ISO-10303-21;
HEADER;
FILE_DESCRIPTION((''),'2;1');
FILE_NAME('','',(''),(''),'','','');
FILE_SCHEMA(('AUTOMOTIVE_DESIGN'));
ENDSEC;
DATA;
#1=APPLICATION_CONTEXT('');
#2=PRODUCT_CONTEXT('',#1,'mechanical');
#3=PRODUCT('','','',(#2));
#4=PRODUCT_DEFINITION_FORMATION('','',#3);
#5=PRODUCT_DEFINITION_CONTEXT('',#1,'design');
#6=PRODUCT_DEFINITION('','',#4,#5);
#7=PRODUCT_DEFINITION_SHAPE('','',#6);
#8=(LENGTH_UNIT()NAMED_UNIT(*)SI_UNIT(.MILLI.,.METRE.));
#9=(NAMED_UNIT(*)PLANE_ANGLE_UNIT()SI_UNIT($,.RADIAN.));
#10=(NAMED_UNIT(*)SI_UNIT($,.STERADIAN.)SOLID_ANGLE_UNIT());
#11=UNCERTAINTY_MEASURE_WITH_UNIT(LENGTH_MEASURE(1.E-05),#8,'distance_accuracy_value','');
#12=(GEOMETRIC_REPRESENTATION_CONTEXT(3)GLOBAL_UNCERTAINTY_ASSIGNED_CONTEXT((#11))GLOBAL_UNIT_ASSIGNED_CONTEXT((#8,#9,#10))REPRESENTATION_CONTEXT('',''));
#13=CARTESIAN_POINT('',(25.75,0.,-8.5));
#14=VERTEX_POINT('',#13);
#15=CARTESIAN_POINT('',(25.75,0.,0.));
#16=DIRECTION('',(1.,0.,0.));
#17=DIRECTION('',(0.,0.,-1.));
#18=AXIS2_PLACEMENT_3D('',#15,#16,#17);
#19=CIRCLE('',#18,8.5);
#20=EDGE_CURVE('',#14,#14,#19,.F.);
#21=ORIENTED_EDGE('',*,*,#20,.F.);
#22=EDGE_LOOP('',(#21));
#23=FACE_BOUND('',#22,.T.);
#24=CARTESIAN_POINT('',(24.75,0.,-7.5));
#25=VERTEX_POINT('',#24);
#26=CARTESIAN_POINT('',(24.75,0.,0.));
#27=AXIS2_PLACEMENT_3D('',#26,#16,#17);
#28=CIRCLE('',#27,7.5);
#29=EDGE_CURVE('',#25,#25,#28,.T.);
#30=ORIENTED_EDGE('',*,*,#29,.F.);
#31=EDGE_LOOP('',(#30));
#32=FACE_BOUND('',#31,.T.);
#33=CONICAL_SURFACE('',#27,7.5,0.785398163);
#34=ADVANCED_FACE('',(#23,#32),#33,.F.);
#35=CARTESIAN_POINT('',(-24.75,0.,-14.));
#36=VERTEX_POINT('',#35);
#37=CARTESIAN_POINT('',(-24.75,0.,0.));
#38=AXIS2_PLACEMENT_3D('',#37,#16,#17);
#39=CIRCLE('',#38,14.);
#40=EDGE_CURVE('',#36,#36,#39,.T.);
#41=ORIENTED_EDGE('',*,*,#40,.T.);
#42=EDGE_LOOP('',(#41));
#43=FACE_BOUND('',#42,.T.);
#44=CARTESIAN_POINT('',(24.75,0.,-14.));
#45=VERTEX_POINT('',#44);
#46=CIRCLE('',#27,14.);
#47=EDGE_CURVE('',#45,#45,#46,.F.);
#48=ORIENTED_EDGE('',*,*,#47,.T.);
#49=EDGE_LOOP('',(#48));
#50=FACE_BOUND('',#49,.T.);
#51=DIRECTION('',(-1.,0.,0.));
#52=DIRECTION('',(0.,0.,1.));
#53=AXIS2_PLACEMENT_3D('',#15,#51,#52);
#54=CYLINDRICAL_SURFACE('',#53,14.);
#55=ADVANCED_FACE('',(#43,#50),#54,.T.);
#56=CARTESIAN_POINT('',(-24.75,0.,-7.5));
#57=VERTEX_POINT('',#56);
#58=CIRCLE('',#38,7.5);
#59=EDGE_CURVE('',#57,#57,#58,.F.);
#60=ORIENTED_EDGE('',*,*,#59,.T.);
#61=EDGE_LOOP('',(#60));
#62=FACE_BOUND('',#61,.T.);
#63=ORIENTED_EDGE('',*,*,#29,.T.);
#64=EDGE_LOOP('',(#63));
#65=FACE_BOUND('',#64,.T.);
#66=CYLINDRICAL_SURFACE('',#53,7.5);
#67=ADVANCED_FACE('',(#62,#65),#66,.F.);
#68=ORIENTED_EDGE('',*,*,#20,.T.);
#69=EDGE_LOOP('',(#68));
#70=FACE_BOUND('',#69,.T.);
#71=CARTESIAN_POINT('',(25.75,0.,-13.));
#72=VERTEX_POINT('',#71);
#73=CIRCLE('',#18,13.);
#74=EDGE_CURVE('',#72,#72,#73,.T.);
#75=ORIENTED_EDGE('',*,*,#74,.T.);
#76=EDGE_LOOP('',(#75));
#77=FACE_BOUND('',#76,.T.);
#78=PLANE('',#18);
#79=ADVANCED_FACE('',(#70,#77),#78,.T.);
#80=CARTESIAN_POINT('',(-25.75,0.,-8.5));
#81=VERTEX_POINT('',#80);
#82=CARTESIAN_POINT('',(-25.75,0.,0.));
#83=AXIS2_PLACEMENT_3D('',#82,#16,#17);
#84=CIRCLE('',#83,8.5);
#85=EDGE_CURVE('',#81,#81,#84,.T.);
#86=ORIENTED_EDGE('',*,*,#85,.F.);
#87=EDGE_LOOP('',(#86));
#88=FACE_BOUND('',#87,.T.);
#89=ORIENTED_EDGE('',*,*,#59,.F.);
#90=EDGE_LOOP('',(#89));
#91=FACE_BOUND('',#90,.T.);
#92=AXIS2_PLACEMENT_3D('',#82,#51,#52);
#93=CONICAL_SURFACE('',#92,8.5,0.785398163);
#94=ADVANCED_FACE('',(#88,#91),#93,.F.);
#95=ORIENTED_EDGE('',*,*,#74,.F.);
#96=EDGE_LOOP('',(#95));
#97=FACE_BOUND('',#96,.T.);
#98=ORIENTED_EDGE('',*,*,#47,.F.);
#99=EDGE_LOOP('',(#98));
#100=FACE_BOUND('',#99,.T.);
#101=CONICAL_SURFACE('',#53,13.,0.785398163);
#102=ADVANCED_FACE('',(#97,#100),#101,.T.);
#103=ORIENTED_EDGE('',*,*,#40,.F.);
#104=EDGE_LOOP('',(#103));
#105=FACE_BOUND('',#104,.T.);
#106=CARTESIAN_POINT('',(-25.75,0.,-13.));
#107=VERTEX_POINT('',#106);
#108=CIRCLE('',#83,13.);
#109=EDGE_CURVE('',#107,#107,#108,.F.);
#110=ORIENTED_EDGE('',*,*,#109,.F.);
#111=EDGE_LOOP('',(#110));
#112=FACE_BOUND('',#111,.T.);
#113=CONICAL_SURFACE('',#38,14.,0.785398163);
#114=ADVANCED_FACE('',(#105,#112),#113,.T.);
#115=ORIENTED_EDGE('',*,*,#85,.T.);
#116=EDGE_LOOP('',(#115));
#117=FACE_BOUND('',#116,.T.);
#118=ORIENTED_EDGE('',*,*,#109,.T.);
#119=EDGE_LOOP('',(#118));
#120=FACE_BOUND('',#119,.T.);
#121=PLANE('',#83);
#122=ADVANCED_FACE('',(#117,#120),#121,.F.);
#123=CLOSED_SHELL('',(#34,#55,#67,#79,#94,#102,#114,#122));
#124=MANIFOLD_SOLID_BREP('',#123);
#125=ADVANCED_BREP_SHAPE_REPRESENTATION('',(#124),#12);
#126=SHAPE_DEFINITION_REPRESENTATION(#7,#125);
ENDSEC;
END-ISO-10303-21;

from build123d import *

# Parameters (mm, degrees)
SKETCH1_R           = 14
SKETCH1_R_2         = 7.5
BOSS_EXTRUDE1_DEPTH = 25.75
CHAMFER1_SIZE       = 1


with BuildPart() as part:
    # Sketch1 → Boss-Extrude1 (new, symmetric)
    with BuildSketch(Plane(origin=(0, 0, 0), x_dir=(0, -1, 0), z_dir=(1, 0, 0))):
        with Locations(Location((0, 0, 0), (0, 0, 90))):
            Circle(SKETCH1_R)
        with Locations(Location((0, 0, 0), (0, 0, 90))):
            Circle(SKETCH1_R_2, mode=Mode.SUBTRACT)
    extrude(amount=BOSS_EXTRUDE1_DEPTH, both=True)

    # Chamfer1
    chamfer1_edges = [part.edges().sort_by_distance(p)[0] for p in [
        (-25.75, 0, 14),
        (25.75, 0, 14),
        (-25.75, 0, 7.5),
        (25.75, 0, 7.5),
    ]]
    chamfer(chamfer1_edges, length=CHAMFER1_SIZE)


solid = part.part
